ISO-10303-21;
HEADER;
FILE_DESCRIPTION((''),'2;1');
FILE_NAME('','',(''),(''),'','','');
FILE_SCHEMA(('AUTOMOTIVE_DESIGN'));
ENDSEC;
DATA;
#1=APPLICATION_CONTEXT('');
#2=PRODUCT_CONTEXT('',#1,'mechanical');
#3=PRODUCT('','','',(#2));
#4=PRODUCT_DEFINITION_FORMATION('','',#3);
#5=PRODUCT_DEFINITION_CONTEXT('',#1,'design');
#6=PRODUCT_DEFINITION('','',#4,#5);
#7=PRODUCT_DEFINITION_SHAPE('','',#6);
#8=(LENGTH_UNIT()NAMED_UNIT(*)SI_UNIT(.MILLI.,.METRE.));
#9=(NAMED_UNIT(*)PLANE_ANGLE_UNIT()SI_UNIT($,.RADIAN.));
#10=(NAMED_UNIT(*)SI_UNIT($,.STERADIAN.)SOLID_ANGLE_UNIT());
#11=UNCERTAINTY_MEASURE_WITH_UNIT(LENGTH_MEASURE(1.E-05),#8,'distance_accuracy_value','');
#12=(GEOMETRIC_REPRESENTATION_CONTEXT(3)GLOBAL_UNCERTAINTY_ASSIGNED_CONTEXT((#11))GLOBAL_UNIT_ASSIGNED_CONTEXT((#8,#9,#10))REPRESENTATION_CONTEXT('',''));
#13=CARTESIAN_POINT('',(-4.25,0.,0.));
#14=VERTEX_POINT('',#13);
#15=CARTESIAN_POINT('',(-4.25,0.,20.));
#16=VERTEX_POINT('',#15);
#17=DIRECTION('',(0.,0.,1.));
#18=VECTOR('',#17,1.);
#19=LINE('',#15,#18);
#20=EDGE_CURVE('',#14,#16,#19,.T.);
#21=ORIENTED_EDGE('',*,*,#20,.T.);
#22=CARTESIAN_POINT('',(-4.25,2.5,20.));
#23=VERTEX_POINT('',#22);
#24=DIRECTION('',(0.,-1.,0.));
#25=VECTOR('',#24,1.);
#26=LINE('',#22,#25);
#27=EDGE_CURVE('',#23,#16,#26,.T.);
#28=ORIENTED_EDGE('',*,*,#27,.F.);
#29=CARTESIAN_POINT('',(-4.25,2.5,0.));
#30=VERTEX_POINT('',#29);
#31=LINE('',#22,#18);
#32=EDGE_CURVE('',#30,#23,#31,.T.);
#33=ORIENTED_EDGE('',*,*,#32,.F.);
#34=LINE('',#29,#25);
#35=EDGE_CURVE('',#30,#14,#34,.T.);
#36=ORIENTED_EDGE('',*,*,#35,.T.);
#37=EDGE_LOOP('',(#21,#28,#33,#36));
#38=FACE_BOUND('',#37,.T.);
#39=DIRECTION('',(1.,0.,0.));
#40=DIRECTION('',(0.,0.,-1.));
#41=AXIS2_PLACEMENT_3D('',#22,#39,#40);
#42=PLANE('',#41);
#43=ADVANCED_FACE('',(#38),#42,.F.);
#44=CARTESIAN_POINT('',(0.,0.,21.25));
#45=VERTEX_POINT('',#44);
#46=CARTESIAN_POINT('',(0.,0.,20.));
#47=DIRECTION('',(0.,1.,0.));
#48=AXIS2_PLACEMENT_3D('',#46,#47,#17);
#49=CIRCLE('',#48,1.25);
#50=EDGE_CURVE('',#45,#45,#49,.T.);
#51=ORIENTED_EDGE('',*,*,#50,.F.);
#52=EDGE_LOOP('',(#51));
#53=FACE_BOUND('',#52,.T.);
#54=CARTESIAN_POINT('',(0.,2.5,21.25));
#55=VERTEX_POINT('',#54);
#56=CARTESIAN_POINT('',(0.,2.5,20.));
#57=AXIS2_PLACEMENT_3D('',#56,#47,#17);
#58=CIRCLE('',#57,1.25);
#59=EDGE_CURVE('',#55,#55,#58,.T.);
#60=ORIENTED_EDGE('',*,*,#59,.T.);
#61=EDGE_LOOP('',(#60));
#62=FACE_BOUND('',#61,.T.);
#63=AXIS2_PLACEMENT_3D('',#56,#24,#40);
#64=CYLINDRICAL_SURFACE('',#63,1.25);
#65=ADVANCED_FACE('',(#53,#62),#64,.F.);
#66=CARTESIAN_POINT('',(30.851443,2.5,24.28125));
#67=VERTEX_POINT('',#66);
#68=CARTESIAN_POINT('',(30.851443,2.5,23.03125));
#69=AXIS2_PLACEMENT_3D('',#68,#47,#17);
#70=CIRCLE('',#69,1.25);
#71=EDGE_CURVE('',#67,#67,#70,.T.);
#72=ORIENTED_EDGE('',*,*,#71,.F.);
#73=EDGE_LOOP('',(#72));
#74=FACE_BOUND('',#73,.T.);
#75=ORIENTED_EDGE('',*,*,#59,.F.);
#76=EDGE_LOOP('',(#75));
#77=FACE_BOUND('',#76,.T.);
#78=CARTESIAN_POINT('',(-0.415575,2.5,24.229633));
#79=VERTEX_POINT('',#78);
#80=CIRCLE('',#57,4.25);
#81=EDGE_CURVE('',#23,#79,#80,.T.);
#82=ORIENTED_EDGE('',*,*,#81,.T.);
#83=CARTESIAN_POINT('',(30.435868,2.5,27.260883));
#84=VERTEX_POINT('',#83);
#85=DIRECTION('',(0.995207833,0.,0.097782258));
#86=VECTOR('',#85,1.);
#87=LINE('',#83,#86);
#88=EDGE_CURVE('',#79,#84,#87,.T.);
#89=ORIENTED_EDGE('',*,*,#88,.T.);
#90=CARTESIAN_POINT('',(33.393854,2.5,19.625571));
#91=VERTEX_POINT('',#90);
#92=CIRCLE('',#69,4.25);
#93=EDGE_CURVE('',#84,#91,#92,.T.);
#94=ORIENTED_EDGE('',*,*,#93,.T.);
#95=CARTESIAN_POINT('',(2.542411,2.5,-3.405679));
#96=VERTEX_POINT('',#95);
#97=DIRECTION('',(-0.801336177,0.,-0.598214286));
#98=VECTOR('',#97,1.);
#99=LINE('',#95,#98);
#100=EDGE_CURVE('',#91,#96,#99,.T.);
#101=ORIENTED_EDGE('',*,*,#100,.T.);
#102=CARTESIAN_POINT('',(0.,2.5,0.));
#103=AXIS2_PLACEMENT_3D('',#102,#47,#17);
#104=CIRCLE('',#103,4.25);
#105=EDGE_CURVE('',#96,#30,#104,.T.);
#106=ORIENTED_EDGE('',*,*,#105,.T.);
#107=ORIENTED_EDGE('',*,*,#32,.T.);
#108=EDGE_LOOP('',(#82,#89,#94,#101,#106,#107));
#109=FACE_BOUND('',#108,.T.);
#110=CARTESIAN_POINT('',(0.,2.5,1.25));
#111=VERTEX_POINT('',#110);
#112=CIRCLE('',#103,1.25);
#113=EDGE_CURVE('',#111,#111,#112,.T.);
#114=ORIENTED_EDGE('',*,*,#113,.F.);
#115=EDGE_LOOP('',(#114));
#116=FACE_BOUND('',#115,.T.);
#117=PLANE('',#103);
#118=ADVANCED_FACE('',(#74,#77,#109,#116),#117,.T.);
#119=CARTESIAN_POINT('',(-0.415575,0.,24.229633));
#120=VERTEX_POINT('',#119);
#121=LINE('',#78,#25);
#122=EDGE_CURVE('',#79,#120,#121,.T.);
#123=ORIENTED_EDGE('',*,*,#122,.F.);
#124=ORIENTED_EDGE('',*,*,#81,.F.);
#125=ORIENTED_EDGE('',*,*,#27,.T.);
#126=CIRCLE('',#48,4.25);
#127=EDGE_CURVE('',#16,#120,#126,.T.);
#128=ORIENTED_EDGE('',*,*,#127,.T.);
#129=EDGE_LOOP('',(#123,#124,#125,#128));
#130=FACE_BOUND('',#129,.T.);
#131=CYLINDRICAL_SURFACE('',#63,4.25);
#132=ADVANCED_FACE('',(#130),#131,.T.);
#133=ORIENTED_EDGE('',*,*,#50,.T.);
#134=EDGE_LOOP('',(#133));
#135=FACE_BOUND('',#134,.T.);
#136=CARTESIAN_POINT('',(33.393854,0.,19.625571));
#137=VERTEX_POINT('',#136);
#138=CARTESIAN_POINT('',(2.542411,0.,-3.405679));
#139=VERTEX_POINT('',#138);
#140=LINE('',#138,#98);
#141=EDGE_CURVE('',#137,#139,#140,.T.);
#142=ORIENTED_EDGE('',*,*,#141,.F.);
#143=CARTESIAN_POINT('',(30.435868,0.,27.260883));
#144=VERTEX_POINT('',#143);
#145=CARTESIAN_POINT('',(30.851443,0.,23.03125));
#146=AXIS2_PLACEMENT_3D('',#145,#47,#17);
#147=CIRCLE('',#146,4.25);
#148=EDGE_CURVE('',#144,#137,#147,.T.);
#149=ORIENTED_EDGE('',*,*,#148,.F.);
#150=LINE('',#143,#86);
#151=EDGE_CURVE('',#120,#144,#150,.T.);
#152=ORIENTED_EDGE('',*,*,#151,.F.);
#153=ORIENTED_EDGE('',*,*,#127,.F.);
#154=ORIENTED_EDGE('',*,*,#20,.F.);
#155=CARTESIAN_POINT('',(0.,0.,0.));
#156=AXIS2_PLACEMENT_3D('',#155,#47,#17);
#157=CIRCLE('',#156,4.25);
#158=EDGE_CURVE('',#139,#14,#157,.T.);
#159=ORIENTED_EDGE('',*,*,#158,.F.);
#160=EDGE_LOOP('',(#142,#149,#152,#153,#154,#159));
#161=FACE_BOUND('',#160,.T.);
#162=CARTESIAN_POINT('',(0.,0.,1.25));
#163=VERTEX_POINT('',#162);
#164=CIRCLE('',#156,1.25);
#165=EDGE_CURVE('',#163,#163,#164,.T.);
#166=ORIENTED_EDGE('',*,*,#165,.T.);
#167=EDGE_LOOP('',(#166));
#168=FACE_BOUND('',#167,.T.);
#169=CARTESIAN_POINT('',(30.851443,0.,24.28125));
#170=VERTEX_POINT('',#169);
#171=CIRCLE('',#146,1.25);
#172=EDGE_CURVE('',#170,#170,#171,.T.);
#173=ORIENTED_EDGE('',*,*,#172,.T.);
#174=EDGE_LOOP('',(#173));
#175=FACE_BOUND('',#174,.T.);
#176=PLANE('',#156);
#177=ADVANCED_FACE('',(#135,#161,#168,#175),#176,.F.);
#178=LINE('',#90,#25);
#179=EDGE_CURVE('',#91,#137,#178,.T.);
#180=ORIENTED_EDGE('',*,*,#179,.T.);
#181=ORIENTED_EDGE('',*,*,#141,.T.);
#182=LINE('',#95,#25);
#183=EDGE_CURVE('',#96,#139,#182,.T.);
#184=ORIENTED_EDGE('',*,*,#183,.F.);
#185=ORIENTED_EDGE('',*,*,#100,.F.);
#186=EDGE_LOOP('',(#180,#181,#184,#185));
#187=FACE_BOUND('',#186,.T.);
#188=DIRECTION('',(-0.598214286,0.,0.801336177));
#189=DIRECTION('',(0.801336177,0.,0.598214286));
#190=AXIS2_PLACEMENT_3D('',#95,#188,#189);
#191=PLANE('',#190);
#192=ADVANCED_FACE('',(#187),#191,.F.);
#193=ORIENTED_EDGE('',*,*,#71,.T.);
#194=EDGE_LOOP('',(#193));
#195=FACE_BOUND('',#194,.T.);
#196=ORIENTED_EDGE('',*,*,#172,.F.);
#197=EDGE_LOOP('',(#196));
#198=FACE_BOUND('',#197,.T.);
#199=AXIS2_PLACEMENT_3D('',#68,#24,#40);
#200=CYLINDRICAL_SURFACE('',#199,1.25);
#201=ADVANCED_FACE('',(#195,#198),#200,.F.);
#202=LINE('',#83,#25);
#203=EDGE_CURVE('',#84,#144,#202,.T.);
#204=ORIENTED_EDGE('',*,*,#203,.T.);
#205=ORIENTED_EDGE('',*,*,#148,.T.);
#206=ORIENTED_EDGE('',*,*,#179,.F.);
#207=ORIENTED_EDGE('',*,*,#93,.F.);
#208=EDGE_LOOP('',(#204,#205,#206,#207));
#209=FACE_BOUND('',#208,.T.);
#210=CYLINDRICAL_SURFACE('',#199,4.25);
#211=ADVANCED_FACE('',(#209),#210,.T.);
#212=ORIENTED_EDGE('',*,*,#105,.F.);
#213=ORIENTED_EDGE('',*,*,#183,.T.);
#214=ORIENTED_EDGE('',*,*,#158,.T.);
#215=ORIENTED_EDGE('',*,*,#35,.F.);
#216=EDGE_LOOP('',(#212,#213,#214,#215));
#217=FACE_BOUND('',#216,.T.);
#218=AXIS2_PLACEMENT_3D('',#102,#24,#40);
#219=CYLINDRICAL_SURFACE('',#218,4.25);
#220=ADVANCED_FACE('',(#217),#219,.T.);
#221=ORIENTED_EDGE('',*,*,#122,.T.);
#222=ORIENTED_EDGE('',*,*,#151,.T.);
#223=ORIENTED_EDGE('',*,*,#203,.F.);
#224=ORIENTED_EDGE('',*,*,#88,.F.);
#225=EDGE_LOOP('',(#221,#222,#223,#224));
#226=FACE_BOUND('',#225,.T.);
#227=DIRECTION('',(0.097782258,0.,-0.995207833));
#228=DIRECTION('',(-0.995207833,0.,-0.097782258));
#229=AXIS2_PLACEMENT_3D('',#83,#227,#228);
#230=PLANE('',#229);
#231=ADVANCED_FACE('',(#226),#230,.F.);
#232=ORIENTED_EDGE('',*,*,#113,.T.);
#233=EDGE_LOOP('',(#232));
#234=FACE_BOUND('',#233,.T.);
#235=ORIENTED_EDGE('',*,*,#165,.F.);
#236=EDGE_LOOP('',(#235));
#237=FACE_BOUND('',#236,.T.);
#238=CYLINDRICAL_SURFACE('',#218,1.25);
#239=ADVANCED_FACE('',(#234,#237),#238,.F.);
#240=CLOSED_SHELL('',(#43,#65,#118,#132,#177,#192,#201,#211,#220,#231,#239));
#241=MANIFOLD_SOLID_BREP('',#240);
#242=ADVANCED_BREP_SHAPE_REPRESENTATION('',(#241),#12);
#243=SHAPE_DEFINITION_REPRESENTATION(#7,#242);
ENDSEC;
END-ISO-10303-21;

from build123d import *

# Parameters (mm, degrees)
SKETCH1_R           = 1.25
BOSS_EXTRUDE1_DEPTH = 2.5


with BuildPart() as part:
    # Sketch1 → Boss-Extrude1 (new body)
    with BuildSketch(Plane(origin=(0, 0, 0), x_dir=(1, 0, 0), z_dir=(0, 1, 0))):
        with BuildLine():
            Line((2.542410714, 3.405678752), (33.393853524, -19.625571248))
            ThreePointArc((33.393853524, -19.625571248), (34.814441101, -24.566549497), (30.435868213, -27.260883288))
            Line((30.435868213, -27.260883288), (-0.415574597, -24.229633288))
            ThreePointArc((-0.415574597, -24.229633288), (-3.148705451, -22.85449715), (-4.25, -20))
            Line((-4.25, -20), (-4.25, 0))
            ThreePointArc((-4.25, 0), (-1.904895596, 3.7991937), (2.542410714, 3.405678752))
        make_face()
        Circle(SKETCH1_R, mode=Mode.SUBTRACT)
        with Locations((0, -20)):
            Circle(SKETCH1_R, mode=Mode.SUBTRACT)
        with Locations((30.85144281, -23.03125)):
            Circle(SKETCH1_R, mode=Mode.SUBTRACT)
    extrude(amount=BOSS_EXTRUDE1_DEPTH)


solid = part.part
